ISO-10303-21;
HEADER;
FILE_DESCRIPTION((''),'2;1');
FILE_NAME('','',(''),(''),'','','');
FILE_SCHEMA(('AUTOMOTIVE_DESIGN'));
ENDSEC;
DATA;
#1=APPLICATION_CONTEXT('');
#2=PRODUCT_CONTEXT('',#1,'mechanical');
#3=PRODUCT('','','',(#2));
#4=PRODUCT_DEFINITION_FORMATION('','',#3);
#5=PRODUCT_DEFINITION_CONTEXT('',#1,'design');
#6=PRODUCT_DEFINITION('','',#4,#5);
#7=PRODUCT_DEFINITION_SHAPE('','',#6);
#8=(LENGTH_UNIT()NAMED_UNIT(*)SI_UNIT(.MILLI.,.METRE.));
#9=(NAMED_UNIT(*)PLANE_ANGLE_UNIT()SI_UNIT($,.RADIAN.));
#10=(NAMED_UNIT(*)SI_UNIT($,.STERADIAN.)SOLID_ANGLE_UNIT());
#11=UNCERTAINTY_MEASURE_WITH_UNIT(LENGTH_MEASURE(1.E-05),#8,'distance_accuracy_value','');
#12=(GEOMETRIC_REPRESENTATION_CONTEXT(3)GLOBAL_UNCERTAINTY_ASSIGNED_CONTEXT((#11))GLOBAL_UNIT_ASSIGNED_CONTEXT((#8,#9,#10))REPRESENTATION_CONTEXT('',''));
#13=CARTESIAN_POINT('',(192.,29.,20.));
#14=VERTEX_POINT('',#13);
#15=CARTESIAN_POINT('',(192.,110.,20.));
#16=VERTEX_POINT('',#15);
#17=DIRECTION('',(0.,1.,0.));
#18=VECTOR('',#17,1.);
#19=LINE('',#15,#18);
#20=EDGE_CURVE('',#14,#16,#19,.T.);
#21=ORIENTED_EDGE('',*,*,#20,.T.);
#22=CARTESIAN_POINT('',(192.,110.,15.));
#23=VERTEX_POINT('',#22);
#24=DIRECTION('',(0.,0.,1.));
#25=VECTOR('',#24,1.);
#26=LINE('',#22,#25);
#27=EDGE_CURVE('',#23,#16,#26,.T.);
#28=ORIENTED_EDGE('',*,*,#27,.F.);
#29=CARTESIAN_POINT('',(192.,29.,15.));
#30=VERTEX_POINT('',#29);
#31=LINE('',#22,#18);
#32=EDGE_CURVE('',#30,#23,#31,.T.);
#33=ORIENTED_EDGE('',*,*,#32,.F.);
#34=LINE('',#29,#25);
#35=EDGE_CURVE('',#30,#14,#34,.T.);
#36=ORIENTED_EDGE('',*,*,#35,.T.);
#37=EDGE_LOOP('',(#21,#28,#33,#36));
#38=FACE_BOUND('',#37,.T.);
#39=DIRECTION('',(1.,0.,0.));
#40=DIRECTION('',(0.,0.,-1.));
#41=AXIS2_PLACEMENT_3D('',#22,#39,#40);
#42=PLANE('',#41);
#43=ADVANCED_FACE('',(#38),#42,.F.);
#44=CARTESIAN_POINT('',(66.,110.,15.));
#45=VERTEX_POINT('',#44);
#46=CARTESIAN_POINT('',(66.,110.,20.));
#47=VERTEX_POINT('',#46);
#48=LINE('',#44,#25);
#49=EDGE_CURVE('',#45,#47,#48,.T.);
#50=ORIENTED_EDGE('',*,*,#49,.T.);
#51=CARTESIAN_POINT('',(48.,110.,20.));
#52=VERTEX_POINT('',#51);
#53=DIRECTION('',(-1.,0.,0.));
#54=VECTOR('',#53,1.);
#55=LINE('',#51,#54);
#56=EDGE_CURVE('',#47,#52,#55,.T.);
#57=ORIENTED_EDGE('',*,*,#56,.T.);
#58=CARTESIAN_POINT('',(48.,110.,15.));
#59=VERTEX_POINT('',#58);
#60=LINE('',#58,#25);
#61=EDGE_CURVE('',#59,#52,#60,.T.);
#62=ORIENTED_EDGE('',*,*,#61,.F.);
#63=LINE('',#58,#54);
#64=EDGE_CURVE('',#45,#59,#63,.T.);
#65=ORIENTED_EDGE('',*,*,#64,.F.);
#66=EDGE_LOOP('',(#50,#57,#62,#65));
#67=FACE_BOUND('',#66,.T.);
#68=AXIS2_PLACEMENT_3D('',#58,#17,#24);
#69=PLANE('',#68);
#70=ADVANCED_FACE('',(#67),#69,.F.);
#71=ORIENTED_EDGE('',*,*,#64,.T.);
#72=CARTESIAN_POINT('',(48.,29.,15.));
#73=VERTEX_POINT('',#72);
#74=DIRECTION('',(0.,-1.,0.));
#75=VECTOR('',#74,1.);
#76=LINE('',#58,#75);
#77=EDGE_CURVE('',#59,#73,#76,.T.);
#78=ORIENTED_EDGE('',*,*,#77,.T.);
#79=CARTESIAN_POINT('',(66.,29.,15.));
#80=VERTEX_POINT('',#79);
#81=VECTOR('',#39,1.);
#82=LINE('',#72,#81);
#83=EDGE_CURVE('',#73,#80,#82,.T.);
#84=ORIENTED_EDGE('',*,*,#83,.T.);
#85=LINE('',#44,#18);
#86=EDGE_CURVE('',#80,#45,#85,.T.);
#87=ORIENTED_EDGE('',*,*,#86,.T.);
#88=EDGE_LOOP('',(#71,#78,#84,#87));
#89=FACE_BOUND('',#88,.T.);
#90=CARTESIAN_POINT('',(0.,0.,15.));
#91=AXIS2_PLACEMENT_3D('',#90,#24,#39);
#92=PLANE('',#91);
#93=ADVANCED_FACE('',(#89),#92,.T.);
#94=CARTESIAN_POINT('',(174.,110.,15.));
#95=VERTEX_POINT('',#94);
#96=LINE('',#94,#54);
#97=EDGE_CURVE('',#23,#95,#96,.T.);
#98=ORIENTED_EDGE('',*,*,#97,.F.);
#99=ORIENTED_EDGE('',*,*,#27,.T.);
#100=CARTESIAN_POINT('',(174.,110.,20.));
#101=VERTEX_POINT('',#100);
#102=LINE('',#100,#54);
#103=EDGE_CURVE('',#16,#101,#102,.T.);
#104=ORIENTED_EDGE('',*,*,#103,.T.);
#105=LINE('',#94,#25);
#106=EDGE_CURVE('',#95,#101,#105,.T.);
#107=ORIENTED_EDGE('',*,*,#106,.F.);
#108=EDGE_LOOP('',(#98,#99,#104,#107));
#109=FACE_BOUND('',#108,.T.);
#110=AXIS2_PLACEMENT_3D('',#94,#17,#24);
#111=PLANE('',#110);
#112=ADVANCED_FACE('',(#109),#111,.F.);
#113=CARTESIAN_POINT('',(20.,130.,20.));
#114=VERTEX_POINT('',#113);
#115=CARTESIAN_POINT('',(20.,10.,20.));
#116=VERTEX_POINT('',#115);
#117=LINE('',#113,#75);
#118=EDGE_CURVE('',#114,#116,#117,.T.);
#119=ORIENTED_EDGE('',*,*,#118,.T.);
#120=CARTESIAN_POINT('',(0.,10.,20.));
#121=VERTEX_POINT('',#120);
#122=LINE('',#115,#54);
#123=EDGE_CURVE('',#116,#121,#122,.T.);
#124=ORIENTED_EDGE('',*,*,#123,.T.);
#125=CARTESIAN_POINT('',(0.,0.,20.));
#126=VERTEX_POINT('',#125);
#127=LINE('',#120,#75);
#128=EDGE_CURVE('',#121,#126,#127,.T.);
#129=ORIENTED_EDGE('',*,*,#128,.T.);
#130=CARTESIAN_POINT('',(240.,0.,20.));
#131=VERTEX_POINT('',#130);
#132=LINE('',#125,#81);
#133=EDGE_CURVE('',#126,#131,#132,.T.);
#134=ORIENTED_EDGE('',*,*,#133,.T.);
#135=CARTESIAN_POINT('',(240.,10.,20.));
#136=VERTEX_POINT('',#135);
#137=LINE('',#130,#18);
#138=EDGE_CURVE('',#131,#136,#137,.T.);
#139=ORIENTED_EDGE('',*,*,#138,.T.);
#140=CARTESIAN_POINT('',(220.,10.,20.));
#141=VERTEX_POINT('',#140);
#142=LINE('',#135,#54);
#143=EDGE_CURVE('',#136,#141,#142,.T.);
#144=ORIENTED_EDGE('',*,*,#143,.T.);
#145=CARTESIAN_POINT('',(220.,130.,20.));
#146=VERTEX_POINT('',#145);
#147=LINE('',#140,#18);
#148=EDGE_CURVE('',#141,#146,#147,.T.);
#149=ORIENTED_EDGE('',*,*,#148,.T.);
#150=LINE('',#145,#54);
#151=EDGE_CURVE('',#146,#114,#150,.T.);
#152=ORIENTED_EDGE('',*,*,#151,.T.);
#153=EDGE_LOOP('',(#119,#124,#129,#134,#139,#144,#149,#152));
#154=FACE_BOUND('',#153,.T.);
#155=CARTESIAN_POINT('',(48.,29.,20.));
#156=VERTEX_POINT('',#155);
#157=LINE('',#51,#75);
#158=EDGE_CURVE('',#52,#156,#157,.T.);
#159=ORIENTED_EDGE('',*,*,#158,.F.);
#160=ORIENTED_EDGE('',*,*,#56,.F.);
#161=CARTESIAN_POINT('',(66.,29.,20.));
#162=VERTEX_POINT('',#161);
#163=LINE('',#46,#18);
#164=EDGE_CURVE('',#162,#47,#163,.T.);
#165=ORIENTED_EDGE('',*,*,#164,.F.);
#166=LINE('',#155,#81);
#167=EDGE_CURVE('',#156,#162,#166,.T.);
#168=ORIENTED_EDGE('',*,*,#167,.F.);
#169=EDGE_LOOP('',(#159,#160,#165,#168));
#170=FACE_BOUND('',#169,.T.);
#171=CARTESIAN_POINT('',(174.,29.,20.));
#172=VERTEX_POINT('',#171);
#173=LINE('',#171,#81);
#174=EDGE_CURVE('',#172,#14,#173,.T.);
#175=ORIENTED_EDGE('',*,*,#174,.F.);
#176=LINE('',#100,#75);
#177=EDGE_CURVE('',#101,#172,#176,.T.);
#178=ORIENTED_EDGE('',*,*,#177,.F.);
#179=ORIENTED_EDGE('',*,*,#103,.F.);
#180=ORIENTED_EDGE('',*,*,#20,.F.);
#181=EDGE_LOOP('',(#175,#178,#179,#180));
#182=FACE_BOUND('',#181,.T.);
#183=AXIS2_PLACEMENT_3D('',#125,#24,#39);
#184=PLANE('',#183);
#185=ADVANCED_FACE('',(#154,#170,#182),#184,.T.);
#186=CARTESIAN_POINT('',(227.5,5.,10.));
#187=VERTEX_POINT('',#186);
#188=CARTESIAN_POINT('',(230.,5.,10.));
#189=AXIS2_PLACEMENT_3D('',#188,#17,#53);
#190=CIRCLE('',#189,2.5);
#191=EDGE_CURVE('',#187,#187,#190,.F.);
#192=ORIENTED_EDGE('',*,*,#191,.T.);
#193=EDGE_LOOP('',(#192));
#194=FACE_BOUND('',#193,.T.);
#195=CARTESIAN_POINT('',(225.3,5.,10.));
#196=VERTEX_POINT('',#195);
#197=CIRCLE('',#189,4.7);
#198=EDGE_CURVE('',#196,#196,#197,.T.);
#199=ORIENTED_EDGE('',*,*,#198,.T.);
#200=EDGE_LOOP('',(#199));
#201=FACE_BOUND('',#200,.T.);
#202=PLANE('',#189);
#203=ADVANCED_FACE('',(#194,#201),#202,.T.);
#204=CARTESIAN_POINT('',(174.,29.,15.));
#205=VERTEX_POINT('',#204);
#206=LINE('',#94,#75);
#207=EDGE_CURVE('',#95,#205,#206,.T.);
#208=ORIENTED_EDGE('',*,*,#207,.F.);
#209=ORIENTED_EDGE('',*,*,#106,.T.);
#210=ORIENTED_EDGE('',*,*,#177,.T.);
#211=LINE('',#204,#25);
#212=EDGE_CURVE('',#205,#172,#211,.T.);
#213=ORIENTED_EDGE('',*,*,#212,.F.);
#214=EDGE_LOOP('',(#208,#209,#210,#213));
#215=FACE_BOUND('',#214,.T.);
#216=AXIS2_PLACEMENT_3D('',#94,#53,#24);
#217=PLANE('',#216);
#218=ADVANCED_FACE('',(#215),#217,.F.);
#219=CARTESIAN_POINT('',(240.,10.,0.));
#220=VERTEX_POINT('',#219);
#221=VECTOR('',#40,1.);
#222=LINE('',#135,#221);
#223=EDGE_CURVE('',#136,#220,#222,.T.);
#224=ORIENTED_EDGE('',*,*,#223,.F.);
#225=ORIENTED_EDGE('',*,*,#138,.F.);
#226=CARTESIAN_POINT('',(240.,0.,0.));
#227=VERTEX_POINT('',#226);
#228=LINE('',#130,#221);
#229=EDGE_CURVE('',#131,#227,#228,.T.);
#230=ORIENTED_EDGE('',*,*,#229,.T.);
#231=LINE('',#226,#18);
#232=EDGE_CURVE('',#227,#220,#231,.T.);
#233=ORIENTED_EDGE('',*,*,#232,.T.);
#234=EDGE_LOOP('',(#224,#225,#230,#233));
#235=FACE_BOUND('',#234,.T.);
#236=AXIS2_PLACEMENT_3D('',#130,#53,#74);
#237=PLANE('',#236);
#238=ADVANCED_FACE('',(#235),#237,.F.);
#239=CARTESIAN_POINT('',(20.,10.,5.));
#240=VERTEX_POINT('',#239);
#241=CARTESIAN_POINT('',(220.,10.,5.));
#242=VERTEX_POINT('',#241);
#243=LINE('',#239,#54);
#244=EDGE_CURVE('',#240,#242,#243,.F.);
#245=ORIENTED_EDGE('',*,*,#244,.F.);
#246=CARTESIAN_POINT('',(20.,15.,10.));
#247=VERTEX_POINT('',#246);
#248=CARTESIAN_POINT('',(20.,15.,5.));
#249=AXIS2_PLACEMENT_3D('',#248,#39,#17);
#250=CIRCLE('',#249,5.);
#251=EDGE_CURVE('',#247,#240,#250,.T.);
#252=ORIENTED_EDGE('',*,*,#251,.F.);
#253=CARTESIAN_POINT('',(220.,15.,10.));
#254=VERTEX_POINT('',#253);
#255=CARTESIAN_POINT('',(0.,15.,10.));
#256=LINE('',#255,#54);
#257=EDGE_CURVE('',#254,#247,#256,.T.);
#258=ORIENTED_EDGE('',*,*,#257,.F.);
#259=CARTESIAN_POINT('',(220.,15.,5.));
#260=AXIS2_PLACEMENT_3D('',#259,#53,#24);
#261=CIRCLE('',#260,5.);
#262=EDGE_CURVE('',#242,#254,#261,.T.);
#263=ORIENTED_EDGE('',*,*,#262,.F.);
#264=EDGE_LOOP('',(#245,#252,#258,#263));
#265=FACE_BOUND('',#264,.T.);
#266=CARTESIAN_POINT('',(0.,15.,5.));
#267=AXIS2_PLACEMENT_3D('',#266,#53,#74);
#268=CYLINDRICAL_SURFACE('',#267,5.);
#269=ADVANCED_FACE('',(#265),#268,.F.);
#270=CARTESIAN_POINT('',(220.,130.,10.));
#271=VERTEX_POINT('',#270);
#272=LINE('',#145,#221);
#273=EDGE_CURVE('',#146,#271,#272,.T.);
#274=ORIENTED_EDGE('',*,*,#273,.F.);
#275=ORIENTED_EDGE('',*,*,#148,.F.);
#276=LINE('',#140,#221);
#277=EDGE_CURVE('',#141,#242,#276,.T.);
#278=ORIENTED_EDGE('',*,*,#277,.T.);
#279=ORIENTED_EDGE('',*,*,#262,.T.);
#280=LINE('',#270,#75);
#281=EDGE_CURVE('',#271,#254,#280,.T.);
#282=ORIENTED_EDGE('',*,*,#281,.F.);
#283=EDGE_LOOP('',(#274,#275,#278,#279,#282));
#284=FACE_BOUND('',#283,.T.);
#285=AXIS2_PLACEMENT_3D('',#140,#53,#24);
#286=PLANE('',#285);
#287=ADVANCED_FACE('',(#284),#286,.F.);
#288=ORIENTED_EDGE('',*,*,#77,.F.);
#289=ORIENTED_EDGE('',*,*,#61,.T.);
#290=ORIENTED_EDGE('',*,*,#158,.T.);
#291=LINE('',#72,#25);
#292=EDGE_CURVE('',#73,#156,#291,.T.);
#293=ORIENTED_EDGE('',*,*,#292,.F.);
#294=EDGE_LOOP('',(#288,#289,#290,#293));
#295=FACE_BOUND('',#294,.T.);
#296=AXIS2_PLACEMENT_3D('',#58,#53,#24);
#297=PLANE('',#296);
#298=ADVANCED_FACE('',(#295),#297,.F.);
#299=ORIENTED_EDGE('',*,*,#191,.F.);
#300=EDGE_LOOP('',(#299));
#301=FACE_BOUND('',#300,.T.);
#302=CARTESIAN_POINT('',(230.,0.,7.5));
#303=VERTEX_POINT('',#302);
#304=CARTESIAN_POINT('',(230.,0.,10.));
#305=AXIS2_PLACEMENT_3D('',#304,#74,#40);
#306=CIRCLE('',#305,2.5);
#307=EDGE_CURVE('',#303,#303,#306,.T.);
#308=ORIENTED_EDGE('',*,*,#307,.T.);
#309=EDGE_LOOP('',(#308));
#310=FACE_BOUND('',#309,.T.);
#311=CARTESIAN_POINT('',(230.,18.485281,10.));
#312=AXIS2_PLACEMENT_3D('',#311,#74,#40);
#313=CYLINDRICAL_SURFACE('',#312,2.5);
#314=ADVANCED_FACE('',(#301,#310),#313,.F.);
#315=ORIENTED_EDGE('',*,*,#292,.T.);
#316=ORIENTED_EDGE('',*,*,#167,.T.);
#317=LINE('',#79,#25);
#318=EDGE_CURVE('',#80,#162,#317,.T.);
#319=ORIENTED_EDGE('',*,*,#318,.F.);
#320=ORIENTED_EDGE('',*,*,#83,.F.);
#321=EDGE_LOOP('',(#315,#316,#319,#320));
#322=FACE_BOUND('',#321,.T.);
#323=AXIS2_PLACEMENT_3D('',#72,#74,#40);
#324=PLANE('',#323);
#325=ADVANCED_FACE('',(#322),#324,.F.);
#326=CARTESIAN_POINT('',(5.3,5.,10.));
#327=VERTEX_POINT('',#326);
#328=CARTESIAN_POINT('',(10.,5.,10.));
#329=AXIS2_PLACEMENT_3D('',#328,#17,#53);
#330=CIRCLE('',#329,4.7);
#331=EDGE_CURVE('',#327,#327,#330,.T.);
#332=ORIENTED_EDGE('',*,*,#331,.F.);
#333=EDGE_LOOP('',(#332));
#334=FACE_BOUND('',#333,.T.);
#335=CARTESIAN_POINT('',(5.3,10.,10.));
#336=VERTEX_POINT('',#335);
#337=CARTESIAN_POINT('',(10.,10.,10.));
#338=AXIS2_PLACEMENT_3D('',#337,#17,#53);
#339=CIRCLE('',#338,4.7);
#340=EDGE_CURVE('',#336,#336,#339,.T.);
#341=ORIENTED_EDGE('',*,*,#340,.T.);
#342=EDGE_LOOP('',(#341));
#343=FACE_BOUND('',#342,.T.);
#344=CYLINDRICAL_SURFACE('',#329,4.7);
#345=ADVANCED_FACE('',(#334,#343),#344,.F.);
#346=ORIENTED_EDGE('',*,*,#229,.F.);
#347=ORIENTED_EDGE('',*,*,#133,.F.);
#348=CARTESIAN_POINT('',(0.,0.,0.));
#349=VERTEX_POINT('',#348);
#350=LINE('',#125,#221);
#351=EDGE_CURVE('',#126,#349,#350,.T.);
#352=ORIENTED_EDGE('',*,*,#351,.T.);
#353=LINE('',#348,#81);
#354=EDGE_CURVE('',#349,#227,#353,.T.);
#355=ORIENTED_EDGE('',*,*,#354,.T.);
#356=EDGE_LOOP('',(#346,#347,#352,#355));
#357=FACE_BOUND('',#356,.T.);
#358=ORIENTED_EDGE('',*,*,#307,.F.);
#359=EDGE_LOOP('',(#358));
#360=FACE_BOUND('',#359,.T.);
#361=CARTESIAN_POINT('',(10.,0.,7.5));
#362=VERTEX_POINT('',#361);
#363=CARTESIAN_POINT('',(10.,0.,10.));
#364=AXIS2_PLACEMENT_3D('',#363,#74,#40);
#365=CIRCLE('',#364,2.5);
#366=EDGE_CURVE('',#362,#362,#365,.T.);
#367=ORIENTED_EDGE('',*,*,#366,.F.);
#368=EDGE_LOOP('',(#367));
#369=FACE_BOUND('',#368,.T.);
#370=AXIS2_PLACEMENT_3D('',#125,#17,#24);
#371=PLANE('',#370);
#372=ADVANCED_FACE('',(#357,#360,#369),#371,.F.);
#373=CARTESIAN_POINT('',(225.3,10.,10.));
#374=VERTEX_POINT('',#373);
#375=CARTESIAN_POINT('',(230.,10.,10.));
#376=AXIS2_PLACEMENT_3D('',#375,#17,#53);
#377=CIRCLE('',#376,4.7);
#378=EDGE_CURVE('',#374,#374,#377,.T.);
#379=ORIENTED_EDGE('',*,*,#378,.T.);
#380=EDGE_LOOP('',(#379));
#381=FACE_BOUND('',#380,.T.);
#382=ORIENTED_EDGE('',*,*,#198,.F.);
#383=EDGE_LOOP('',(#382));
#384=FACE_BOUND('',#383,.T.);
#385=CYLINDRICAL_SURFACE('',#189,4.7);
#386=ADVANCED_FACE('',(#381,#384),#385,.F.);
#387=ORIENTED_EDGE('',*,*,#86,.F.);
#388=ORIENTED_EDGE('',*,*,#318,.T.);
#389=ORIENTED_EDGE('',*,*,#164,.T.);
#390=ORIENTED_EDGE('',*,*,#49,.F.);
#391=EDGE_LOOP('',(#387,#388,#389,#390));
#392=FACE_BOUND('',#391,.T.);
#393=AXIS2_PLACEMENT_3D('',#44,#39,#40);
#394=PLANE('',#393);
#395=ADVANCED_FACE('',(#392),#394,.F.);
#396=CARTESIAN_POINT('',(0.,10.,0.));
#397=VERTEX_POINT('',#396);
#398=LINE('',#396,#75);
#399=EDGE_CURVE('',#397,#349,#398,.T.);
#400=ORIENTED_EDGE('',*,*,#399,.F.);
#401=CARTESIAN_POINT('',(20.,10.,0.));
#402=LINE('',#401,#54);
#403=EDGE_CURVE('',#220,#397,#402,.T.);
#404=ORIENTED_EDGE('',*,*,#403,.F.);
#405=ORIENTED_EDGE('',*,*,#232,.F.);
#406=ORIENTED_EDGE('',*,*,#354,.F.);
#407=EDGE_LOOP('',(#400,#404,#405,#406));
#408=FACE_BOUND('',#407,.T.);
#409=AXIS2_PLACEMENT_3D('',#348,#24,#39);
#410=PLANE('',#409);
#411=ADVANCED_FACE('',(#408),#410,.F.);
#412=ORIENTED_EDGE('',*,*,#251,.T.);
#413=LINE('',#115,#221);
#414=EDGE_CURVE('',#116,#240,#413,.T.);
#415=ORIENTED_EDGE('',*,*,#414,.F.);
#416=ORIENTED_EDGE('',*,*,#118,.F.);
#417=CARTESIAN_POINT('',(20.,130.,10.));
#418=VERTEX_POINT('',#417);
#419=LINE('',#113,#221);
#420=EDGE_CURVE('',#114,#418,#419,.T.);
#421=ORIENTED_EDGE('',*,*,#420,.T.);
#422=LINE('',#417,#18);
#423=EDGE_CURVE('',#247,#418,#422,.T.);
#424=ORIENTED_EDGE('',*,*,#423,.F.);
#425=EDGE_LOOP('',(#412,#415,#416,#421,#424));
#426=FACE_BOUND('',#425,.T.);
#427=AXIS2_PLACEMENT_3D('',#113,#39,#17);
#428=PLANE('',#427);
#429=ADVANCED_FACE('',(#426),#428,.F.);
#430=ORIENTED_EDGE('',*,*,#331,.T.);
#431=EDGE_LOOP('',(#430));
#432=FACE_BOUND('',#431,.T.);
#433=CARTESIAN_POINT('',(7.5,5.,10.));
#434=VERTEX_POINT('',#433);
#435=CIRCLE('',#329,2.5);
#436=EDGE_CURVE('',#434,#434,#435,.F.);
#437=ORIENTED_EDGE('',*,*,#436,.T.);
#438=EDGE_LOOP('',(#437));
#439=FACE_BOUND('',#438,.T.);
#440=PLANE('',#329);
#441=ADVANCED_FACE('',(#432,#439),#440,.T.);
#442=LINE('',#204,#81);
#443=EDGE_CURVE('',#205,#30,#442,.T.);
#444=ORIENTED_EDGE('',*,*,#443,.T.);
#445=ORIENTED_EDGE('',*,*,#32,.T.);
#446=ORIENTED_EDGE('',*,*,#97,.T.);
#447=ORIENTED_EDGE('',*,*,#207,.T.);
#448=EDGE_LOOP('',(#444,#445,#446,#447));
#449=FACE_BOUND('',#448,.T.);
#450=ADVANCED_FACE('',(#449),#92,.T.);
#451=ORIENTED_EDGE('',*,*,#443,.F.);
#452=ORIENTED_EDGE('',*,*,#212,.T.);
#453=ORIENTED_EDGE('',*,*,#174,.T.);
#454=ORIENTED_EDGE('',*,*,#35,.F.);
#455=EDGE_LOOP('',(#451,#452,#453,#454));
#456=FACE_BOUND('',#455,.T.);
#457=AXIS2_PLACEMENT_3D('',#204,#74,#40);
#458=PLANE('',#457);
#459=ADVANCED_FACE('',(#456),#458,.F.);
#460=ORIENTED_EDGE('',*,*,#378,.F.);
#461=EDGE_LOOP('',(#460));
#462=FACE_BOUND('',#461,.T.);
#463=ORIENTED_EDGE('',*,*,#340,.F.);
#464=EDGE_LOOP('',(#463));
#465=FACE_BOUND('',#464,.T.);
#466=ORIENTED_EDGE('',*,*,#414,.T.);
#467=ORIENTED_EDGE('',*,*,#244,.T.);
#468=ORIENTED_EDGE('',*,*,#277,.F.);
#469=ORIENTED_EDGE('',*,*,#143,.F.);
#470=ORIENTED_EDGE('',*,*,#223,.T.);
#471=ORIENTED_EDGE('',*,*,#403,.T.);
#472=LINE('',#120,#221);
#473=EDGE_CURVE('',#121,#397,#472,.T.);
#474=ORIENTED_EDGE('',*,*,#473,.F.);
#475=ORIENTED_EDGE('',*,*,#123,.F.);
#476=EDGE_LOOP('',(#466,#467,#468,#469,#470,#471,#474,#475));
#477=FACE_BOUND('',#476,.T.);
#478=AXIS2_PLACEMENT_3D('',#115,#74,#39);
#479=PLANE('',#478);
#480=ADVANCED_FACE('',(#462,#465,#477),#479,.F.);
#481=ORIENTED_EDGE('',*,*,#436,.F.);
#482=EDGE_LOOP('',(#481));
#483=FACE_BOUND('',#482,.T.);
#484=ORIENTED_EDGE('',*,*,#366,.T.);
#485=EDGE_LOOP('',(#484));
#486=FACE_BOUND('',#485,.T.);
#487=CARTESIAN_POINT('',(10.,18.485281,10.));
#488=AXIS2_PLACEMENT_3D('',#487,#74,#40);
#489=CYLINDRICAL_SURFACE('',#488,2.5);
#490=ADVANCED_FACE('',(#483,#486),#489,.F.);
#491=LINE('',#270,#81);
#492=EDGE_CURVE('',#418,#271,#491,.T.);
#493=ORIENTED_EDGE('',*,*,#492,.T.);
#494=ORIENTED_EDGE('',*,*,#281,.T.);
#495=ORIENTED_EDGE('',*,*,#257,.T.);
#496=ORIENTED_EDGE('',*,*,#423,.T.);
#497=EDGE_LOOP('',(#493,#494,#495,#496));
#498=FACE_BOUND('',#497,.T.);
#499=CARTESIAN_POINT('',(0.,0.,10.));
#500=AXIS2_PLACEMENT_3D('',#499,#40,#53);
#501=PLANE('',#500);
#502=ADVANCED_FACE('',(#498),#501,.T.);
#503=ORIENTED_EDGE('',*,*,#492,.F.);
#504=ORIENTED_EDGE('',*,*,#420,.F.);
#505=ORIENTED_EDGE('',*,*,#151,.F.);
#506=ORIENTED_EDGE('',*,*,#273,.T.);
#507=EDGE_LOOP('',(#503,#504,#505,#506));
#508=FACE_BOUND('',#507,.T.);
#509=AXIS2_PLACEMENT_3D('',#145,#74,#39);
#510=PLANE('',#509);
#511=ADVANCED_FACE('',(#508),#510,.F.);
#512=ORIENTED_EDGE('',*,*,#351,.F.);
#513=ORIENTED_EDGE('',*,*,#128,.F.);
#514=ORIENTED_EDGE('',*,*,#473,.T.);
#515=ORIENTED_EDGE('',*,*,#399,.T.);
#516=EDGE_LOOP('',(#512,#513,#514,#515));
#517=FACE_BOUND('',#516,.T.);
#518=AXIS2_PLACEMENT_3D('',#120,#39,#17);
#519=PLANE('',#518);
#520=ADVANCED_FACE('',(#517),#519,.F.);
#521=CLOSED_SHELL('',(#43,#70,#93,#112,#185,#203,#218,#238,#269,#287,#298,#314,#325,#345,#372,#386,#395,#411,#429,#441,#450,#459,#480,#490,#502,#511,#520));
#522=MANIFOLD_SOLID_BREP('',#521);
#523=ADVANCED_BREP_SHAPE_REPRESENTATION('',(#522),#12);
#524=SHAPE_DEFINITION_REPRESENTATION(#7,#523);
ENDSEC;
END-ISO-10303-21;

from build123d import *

# Parameters (mm, degrees)
BOSS_EXTRUDE2_DEPTH = 20
SKETCH2_R           = 3
CUT_EXTRUDE1_DEPTH  = 20
SKETCH3_W           = 200
SKETCH3_H           = 120
CUT_EXTRUDE2_DEPTH  = 10
FILLET1_R           = 5
BOSS_EXTRUDE3_START = -10
SKETCH6_R           = 3
SKETCH6_R_2         = 2.5
BOSS_EXTRUDE3_DEPTH = 10
SKETCH7_R           = 4.7
CUT_EXTRUDE6_DEPTH  = 5
SKETCH4_W           = 18
SKETCH4_H           = 81
CUT_EXTRUDE7_DEPTH  = 5


with BuildPart() as part:
    # Sketch1 → Boss-Extrude2 (new body)
    with BuildSketch(Plane.XY):
        Polygon((0, 0), (240, 0), (240, 10), (220, 10), (220, 130), (20, 130), (20, 10), (0, 10), align=None)
    extrude(amount=BOSS_EXTRUDE2_DEPTH)

    # Sketch2 → Cut-Extrude1 (cut)
    with BuildSketch(Plane(origin=(0, 10, 0), x_dir=(1, 0, 0), z_dir=(0, 1, 0))):
        with Locations(Location((10, -10, 0), (0, 0, 180))):
            Circle(SKETCH2_R)
        with Locations(Location((230, -10, 0), (0, 0, 180))):
            Circle(SKETCH2_R)
    extrude(amount=-CUT_EXTRUDE1_DEPTH, mode=Mode.SUBTRACT)

    # Sketch3 → Cut-Extrude2 (cut)
    with BuildSketch(Plane(origin=(0, 0, 0), x_dir=(-1, 0, 0), z_dir=(0, 0, -1))):
        with Locations((-120, 70)):
            Rectangle(SKETCH3_W, SKETCH3_H)
    extrude(amount=-CUT_EXTRUDE2_DEPTH, mode=Mode.SUBTRACT)

    # Fillet1
    fillet1_edges = [part.edges().sort_by_distance(p)[0] for p in [
        (120, 10, 10),
    ]]
    fillet(fillet1_edges, radius=FILLET1_R)

    # Sketch6 → Boss-Extrude3 (add)
    # profile 1 of 2: a face of its own
    with BuildSketch(Plane.XZ.offset(BOSS_EXTRUDE3_START)):
        with Locations((10, 10)):
            Circle(SKETCH6_R)
        with Locations(Location((10, 10, 0), (0, 0, 270))):
            Circle(SKETCH6_R_2, mode=Mode.SUBTRACT)
    # profile 2 of 2: a face of its own
    with BuildSketch(Plane.XZ.offset(BOSS_EXTRUDE3_START)):
        with Locations((230, 10)):
            Circle(SKETCH6_R)
        with Locations(Location((230, 10, 0), (0, 0, 270))):
            Circle(SKETCH6_R_2, mode=Mode.SUBTRACT)
    extrude(amount=BOSS_EXTRUDE3_DEPTH)

    # Sketch7 → Cut-Extrude6 (cut)
    with BuildSketch(Plane(origin=(0, 10, 0), x_dir=(1, 0, 0), z_dir=(0, 1, 0))):
        with Locations(Location((230, -10, 0), (0, 0, 180))):
            Circle(SKETCH7_R)
        with Locations(Location((10, -10, 0), (0, 0, 180))):
            Circle(SKETCH7_R)
    extrude(amount=-CUT_EXTRUDE6_DEPTH, mode=Mode.SUBTRACT)

    # Sketch4 → Cut-Extrude7 (cut)
    with BuildSketch(Plane.XY.offset(20)):
        with Locations((57, 69.5)):
            Rectangle(SKETCH4_W, SKETCH4_H)
        with Locations((183, 69.5)):
            Rectangle(SKETCH4_W, SKETCH4_H)
    extrude(amount=-CUT_EXTRUDE7_DEPTH, mode=Mode.SUBTRACT)


solid = part.part
